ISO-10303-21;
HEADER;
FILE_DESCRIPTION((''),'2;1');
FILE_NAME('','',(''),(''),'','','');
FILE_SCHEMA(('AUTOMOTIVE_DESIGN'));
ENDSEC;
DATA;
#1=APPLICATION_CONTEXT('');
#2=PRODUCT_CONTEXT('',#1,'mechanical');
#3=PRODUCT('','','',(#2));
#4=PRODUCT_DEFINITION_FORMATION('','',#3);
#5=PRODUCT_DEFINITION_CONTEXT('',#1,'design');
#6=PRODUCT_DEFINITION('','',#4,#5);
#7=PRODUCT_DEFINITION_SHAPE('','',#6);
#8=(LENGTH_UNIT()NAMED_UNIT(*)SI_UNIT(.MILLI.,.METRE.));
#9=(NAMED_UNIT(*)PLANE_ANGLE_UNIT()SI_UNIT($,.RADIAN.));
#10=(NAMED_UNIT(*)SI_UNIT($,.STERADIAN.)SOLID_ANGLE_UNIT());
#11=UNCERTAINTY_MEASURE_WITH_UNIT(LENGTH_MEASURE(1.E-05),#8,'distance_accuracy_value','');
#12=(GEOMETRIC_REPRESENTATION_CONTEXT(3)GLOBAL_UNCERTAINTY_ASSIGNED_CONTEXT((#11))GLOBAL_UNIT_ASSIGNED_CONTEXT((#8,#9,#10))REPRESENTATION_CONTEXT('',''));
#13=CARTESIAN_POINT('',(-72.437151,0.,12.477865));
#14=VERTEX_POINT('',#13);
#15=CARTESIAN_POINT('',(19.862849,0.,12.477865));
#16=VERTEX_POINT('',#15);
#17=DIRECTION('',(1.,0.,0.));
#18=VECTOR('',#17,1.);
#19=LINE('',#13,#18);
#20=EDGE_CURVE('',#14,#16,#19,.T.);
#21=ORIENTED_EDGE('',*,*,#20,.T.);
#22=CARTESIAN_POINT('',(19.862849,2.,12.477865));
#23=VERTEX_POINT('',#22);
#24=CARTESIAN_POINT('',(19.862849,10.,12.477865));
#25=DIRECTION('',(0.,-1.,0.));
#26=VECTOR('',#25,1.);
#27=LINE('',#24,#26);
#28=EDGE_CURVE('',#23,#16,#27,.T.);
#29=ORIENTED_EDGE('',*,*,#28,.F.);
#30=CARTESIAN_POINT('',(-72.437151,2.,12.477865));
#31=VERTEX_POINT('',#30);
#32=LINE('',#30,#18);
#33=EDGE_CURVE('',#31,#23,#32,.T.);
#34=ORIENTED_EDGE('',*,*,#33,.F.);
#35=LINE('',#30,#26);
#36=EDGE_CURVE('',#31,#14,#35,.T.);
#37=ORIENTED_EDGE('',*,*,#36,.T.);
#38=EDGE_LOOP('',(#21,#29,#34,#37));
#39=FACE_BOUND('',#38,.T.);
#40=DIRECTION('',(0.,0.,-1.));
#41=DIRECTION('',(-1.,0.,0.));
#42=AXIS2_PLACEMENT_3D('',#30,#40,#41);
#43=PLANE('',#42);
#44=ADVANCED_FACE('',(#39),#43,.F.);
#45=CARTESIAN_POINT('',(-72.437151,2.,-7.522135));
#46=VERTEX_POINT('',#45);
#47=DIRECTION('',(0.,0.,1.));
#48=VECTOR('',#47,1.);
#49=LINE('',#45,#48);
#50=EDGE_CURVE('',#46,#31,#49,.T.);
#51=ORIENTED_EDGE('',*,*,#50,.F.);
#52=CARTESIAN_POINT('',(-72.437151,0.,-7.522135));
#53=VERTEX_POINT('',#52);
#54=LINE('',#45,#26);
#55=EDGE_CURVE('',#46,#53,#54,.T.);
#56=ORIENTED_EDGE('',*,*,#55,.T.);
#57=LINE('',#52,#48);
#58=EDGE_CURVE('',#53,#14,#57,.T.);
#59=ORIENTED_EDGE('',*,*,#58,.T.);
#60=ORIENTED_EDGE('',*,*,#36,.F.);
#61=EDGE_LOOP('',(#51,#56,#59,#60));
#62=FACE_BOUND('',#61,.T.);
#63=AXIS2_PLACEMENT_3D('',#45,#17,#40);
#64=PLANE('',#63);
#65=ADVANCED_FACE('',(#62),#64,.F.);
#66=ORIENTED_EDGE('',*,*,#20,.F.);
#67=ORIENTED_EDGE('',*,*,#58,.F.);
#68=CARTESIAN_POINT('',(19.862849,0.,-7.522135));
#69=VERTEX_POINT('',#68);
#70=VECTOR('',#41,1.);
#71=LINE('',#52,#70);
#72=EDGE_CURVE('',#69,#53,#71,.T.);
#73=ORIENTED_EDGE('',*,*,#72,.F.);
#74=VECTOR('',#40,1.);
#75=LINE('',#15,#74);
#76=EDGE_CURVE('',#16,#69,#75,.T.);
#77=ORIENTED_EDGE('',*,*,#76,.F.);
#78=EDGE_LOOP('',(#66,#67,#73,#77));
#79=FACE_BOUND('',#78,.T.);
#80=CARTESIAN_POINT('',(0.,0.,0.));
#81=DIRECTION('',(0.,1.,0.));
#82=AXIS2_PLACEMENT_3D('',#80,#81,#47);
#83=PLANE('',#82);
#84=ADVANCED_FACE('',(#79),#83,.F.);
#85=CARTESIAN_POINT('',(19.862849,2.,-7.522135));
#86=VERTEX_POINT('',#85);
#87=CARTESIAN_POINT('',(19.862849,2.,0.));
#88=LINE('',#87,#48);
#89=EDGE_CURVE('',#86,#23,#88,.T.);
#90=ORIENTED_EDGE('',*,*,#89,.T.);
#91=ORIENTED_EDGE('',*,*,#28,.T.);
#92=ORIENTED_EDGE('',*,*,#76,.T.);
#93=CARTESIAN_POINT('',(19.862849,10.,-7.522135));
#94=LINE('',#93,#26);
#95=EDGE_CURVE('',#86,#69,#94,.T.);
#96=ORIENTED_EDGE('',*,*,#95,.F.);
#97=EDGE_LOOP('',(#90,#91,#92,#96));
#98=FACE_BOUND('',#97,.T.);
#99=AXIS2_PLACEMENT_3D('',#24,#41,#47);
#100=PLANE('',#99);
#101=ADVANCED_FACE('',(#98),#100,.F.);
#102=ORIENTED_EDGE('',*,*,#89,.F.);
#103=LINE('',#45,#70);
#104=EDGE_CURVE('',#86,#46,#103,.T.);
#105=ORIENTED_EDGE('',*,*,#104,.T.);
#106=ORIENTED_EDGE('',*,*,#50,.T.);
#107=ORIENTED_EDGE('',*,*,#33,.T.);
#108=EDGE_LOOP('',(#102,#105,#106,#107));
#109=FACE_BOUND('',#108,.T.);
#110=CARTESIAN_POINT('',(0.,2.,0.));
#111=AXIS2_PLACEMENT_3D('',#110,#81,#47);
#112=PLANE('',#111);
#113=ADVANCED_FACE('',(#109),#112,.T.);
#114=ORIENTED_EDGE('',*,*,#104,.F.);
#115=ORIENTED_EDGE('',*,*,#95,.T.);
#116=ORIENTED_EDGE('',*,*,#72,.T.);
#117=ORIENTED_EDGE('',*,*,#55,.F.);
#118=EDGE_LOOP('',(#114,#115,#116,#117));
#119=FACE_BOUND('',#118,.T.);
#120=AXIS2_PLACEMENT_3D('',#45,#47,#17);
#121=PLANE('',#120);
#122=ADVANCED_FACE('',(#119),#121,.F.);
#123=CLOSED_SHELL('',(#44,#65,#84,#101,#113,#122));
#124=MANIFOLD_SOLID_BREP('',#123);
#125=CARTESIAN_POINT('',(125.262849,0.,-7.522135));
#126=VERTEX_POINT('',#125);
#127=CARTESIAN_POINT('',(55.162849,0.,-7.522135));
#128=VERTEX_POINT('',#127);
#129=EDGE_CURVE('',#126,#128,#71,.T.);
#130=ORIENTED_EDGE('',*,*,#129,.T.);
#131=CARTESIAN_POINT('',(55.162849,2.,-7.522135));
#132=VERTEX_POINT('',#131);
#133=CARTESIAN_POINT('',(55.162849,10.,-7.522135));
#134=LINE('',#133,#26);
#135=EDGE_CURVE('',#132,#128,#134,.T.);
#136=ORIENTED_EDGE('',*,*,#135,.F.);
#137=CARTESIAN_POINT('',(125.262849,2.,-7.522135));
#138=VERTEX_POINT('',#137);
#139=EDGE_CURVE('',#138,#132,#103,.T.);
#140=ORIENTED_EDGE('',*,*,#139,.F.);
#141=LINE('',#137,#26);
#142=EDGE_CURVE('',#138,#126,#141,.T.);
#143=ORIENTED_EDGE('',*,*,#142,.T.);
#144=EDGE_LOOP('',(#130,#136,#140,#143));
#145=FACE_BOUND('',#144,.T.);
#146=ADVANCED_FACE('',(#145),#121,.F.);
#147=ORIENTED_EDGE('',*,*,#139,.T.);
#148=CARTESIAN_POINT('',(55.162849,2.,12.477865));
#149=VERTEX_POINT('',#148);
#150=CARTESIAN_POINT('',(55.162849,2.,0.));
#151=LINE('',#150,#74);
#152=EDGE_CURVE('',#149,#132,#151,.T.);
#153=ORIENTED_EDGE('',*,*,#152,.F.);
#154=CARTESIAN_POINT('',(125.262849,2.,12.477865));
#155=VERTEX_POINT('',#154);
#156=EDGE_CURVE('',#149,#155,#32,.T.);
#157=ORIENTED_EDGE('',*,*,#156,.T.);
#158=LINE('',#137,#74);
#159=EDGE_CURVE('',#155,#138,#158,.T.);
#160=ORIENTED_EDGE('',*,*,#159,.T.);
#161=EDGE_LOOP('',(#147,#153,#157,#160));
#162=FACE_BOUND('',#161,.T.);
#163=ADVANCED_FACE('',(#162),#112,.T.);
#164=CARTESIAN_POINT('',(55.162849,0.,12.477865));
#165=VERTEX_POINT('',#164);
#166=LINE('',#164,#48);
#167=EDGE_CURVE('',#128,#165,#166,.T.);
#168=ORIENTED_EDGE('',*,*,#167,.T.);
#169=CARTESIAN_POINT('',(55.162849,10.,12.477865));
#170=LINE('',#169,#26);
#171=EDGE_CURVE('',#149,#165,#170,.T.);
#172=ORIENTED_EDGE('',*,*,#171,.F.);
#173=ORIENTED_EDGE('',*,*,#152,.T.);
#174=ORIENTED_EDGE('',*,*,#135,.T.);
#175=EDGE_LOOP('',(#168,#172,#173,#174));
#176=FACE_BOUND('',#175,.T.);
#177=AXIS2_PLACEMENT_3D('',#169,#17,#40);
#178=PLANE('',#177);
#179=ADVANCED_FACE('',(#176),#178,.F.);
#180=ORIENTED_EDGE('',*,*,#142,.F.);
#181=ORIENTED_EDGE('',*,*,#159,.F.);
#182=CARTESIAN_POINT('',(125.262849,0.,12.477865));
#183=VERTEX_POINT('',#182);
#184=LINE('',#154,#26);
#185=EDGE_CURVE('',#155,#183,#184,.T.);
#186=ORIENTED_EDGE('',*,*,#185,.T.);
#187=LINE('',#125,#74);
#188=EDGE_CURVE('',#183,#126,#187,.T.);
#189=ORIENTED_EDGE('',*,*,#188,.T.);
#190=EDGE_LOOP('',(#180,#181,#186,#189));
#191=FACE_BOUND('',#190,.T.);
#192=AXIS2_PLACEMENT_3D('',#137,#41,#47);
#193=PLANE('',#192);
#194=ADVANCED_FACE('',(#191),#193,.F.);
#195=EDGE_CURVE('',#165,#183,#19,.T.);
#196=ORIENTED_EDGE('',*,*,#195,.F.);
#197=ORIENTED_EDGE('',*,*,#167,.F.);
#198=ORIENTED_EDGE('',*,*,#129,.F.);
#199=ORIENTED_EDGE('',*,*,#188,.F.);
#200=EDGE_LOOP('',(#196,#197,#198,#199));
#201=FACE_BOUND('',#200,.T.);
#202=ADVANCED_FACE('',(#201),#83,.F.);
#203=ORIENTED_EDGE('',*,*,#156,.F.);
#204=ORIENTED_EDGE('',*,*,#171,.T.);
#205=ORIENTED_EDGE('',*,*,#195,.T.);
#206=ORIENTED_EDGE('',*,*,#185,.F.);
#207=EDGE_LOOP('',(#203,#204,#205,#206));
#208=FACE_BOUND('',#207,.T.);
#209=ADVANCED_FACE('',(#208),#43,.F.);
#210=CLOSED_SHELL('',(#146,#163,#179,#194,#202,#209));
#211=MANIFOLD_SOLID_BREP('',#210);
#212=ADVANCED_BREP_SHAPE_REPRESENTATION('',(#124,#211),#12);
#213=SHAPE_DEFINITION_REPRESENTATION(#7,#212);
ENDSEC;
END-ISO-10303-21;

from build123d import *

# Parameters (mm, degrees)
SKETCH1_W           = 197.7
SKETCH1_H           = 20
BOSS_EXTRUDE1_DEPTH = 2
SKETCH3_W           = 25.3
SKETCH3_H           = 20
CUT_EXTRUDE2_DEPTH  = 10
SKETCH4_W           = 5
SKETCH4_H           = 20
CUT_EXTRUDE3_DEPTH  = 10


with BuildPart() as part:
    # Sketch1 → Boss-Extrude1 (new body)
    with BuildSketch(Plane(origin=(0, 0, 0), x_dir=(1, 0, 0), z_dir=(0, 1, 0))):
        with Locations((26.412848541, -2.477865378)):
            Rectangle(SKETCH1_W, SKETCH1_H)
    extrude(amount=BOSS_EXTRUDE1_DEPTH)

    # Sketch3 → Cut-Extrude2 (cut)
    with BuildSketch(Plane(origin=(0, 0, 0), x_dir=(-1, 0, 0), z_dir=(0, -1, 0))):
        with Locations((-37.512848541, -2.477865378)):
            Rectangle(SKETCH3_W, SKETCH3_H)
    extrude(amount=-CUT_EXTRUDE2_DEPTH, mode=Mode.SUBTRACT)

    # Sketch4 → Cut-Extrude3 (cut)
    with BuildSketch(Plane(origin=(0, 0, 0), x_dir=(-1, 0, 0), z_dir=(0, -1, 0))):
        with Locations((-22.362848541, -2.477865378)):
            Rectangle(SKETCH4_W, SKETCH4_H)
        with Locations((-52.662848541, -2.477865378)):
            Rectangle(SKETCH4_W, SKETCH4_H)
    extrude(amount=-CUT_EXTRUDE3_DEPTH, mode=Mode.SUBTRACT)


solid = part.part
